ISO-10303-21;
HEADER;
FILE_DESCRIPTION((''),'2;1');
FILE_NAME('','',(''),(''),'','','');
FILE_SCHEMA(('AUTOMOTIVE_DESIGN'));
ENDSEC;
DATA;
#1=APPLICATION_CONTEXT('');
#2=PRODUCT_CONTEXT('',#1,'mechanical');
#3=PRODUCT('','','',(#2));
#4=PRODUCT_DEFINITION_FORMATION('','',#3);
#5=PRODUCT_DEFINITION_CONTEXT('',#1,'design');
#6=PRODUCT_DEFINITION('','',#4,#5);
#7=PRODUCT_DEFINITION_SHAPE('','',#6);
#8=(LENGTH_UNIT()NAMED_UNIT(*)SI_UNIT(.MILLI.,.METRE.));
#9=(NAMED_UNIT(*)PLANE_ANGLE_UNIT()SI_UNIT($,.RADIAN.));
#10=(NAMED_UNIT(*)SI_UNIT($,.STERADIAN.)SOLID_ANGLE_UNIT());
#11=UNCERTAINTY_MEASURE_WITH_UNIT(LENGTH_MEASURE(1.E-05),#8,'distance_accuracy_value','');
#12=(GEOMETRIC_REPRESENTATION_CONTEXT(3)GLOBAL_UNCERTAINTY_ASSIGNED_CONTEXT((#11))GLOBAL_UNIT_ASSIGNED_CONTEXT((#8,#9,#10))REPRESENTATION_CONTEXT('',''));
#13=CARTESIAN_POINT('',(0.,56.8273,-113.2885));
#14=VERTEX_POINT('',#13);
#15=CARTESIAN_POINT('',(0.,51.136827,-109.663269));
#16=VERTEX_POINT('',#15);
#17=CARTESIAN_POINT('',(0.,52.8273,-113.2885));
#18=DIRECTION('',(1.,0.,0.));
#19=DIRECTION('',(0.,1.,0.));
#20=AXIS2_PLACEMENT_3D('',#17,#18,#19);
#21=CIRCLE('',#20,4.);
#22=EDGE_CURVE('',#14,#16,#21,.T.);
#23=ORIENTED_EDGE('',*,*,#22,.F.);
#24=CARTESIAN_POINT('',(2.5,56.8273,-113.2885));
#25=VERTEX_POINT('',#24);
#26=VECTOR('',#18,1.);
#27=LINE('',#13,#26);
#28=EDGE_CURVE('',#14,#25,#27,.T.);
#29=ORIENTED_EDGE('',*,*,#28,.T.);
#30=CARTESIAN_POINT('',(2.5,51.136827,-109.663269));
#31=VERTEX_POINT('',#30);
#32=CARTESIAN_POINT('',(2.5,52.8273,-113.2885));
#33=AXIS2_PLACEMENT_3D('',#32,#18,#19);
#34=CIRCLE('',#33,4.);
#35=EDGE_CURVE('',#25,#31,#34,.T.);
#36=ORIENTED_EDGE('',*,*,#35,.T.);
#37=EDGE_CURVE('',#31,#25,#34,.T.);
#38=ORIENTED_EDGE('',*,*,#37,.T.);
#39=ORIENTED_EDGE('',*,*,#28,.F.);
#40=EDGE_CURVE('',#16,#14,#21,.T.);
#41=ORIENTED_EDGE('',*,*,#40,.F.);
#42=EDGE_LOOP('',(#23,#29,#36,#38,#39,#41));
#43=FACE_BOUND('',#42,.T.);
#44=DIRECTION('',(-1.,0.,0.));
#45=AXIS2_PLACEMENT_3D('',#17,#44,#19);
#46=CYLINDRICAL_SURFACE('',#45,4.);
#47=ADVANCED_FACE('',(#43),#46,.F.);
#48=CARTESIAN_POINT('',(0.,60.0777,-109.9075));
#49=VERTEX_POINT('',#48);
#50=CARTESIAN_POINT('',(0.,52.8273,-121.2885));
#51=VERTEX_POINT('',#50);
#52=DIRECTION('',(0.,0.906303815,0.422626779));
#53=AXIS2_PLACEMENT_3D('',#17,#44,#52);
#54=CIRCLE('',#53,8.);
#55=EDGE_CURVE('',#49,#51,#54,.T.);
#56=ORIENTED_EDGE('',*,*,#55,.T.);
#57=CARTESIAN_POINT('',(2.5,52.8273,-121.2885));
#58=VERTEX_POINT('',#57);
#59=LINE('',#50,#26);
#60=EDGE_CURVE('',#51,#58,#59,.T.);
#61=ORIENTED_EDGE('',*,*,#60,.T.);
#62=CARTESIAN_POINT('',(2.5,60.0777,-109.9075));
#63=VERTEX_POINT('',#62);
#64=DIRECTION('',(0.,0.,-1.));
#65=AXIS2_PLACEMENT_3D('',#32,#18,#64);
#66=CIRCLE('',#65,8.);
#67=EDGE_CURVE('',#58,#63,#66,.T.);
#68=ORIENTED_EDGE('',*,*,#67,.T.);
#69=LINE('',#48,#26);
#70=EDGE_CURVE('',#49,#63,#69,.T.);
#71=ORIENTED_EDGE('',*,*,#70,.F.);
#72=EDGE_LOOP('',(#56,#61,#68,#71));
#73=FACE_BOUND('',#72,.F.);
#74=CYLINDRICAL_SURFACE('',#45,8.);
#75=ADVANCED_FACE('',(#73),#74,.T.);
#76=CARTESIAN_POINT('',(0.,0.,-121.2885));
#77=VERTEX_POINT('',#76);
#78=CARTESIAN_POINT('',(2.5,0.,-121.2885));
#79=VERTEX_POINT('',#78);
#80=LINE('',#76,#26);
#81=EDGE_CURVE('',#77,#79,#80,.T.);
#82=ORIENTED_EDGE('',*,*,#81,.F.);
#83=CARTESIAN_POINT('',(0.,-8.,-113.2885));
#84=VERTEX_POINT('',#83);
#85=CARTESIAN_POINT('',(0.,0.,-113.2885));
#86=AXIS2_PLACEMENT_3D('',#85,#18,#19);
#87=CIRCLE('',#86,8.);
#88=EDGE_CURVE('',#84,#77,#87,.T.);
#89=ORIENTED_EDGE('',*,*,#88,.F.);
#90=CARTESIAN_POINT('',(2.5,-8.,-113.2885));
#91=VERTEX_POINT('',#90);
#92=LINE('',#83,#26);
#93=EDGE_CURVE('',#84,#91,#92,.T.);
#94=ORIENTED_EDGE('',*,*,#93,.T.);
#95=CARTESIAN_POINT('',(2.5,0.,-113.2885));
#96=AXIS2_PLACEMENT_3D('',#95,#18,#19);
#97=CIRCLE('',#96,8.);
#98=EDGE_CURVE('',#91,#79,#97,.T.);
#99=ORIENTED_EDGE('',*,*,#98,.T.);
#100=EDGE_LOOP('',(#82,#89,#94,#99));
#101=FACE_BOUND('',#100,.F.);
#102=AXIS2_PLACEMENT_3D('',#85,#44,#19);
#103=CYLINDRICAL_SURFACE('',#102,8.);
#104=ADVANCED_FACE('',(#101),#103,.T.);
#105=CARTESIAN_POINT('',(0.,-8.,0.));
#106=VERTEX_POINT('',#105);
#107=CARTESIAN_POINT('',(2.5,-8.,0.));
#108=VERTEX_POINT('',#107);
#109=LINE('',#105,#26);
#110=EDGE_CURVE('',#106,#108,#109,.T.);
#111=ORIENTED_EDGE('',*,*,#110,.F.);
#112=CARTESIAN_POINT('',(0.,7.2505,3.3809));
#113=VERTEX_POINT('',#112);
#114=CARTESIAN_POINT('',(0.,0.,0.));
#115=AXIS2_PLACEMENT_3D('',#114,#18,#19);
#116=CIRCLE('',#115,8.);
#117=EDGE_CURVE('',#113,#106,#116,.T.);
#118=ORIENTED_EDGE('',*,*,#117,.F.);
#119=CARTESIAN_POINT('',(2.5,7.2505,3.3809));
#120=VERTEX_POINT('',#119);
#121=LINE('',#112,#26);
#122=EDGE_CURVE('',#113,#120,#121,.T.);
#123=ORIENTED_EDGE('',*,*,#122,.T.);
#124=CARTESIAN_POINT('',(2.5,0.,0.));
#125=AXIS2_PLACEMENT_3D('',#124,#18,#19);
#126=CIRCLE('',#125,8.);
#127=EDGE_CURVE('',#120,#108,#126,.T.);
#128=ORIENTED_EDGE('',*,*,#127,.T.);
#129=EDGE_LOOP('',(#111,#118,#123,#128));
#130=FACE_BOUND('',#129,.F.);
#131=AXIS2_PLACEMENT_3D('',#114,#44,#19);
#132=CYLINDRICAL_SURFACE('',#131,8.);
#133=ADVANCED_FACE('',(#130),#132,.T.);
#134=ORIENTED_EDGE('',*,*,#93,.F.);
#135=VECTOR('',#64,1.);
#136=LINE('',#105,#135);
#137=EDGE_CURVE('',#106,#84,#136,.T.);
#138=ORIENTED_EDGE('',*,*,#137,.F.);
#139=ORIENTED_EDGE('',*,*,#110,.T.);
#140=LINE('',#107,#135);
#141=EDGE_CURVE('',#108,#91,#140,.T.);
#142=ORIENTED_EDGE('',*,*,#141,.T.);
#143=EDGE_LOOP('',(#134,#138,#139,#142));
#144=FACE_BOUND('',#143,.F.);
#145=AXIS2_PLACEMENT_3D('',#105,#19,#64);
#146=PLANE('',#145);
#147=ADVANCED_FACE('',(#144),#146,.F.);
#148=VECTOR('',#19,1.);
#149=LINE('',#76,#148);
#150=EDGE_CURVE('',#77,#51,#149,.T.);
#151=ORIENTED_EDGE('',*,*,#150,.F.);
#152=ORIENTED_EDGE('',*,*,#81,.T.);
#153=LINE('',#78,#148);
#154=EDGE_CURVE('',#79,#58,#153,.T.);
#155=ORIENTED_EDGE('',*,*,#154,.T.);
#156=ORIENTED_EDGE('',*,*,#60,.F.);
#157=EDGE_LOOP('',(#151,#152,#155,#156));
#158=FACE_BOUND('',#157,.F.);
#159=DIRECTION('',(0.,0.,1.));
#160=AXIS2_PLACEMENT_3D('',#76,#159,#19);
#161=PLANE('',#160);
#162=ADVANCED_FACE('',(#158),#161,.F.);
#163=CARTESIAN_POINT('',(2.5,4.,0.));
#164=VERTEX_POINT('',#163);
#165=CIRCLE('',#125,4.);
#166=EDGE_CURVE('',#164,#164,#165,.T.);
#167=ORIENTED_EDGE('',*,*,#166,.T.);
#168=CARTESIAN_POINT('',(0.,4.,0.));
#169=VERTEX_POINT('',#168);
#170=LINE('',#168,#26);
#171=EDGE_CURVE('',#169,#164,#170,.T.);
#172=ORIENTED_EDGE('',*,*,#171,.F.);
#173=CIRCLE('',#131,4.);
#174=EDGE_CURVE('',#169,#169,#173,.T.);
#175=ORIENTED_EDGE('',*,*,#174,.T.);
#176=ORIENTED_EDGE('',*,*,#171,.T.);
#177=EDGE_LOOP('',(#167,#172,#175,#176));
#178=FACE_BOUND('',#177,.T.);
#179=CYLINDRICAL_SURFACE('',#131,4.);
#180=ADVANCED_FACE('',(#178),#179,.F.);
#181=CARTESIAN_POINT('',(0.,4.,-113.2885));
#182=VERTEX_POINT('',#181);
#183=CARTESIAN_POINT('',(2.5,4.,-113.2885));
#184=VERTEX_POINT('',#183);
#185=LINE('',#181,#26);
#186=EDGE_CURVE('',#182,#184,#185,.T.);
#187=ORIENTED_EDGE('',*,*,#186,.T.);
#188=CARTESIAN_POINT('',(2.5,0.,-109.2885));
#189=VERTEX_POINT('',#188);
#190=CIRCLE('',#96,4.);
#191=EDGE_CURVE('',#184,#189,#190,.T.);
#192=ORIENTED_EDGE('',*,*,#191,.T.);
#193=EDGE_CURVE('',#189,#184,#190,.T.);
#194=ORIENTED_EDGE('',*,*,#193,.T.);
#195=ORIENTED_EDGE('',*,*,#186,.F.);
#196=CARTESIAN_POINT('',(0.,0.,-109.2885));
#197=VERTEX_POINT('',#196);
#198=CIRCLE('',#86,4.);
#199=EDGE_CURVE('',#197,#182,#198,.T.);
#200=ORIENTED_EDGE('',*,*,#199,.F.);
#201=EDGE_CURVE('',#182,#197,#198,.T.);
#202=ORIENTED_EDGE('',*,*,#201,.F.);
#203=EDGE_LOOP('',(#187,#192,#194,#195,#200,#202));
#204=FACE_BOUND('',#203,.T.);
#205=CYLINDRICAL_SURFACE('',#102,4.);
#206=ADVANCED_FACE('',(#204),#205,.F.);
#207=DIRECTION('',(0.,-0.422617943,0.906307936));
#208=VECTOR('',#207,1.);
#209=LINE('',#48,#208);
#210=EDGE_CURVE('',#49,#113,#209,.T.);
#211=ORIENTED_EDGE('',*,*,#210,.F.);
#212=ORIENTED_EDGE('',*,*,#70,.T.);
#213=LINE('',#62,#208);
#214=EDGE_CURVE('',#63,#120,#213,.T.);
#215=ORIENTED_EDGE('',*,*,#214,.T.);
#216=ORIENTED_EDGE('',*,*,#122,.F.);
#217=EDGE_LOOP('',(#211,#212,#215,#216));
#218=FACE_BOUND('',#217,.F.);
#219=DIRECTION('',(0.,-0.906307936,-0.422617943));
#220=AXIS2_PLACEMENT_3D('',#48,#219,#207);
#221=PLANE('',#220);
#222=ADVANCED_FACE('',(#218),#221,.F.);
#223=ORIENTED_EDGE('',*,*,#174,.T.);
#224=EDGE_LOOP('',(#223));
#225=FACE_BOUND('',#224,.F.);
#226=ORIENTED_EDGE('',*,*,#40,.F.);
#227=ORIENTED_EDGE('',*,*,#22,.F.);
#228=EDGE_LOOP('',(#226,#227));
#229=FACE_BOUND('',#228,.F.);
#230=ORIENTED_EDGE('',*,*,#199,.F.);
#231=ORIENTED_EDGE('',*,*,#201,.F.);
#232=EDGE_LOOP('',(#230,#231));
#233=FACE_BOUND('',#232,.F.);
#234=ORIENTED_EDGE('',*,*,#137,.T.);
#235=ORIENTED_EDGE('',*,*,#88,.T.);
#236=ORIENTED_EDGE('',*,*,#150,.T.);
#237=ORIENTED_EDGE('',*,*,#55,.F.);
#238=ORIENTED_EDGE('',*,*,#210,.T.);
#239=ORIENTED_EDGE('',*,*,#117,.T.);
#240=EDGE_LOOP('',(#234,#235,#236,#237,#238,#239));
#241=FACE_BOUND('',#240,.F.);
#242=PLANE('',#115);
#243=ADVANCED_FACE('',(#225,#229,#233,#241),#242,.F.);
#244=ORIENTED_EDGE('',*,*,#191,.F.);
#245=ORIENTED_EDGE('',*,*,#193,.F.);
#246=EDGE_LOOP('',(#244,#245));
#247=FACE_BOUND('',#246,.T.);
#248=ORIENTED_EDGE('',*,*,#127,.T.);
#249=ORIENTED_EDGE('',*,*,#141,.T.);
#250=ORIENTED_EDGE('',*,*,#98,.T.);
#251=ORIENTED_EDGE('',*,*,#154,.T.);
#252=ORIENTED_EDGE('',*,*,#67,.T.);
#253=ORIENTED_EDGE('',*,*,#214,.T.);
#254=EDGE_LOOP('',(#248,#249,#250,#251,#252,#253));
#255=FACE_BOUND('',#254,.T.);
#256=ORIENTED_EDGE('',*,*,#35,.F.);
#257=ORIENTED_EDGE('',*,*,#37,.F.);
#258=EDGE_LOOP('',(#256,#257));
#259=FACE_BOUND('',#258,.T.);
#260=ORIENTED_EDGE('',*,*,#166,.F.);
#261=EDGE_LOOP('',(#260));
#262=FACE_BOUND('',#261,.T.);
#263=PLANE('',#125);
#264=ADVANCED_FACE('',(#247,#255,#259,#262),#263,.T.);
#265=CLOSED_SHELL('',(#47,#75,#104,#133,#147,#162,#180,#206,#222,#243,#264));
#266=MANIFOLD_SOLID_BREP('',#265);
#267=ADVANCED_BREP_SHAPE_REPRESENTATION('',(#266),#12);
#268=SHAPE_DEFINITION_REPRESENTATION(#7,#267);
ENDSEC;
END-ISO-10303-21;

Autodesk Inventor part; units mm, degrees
ref_plane "YZ Plane" through (0, 0, 0) normal (1, 0, 0) x (0, 1, 0)
ref_plane "XZ Plane" through (0, 0, 0) normal (0, 1, 0) x (-1, 0, 0)
ref_plane "XY Plane" through (0, 0, 0) normal (0, 0, 1) x (1, 0, 0)
sketch "Sketch1" plane through (0, 0, 0) normal (1, 0, 0) x (0, 1, 0)
  line L0 (0, 0) -> (52.8273, -113.2885)
  line L1 (0, 0) -> (0, -113.2885)
  circle A0 centre (52.8273, -113.2885) radius 4
  circle A1 centre (0, 0) radius 4
  circle A2 centre (52.8273, -113.2885) radius 8
  circle A3 centre (0, 0) radius 8
  line L2 (60.0777, -109.9075) -> (7.2505, 3.3809)
  circle A4 centre (0, -113.2885) radius 8
  line L3 (-8, 0) -> (-8, -113.2885)
  line L4 (0, -121.2885) -> (52.8273, -121.2885)
  circle A5 centre (0, -113.2885) radius 4
  dimension "d0" = 125
  dimension "d1" = 25
  dimension "d2" = 8
  dimension "d3" = 8
  dimension "d4" = 16
  dimension "d5" = 16
  dimension "d6" = 16
  dimension "d7" = 8
extrude "Extrusion1" add sketch "Sketch1" along normal blind 2.5 contours A1 L1 A3 L0 | L0 A3 L1 A1 | A3 L2 A2 L0 | L0 A2 L4 A4 L1 A3 | L1 A4 L3 A3 | A2 | A4
properties part number "RockerFront"
